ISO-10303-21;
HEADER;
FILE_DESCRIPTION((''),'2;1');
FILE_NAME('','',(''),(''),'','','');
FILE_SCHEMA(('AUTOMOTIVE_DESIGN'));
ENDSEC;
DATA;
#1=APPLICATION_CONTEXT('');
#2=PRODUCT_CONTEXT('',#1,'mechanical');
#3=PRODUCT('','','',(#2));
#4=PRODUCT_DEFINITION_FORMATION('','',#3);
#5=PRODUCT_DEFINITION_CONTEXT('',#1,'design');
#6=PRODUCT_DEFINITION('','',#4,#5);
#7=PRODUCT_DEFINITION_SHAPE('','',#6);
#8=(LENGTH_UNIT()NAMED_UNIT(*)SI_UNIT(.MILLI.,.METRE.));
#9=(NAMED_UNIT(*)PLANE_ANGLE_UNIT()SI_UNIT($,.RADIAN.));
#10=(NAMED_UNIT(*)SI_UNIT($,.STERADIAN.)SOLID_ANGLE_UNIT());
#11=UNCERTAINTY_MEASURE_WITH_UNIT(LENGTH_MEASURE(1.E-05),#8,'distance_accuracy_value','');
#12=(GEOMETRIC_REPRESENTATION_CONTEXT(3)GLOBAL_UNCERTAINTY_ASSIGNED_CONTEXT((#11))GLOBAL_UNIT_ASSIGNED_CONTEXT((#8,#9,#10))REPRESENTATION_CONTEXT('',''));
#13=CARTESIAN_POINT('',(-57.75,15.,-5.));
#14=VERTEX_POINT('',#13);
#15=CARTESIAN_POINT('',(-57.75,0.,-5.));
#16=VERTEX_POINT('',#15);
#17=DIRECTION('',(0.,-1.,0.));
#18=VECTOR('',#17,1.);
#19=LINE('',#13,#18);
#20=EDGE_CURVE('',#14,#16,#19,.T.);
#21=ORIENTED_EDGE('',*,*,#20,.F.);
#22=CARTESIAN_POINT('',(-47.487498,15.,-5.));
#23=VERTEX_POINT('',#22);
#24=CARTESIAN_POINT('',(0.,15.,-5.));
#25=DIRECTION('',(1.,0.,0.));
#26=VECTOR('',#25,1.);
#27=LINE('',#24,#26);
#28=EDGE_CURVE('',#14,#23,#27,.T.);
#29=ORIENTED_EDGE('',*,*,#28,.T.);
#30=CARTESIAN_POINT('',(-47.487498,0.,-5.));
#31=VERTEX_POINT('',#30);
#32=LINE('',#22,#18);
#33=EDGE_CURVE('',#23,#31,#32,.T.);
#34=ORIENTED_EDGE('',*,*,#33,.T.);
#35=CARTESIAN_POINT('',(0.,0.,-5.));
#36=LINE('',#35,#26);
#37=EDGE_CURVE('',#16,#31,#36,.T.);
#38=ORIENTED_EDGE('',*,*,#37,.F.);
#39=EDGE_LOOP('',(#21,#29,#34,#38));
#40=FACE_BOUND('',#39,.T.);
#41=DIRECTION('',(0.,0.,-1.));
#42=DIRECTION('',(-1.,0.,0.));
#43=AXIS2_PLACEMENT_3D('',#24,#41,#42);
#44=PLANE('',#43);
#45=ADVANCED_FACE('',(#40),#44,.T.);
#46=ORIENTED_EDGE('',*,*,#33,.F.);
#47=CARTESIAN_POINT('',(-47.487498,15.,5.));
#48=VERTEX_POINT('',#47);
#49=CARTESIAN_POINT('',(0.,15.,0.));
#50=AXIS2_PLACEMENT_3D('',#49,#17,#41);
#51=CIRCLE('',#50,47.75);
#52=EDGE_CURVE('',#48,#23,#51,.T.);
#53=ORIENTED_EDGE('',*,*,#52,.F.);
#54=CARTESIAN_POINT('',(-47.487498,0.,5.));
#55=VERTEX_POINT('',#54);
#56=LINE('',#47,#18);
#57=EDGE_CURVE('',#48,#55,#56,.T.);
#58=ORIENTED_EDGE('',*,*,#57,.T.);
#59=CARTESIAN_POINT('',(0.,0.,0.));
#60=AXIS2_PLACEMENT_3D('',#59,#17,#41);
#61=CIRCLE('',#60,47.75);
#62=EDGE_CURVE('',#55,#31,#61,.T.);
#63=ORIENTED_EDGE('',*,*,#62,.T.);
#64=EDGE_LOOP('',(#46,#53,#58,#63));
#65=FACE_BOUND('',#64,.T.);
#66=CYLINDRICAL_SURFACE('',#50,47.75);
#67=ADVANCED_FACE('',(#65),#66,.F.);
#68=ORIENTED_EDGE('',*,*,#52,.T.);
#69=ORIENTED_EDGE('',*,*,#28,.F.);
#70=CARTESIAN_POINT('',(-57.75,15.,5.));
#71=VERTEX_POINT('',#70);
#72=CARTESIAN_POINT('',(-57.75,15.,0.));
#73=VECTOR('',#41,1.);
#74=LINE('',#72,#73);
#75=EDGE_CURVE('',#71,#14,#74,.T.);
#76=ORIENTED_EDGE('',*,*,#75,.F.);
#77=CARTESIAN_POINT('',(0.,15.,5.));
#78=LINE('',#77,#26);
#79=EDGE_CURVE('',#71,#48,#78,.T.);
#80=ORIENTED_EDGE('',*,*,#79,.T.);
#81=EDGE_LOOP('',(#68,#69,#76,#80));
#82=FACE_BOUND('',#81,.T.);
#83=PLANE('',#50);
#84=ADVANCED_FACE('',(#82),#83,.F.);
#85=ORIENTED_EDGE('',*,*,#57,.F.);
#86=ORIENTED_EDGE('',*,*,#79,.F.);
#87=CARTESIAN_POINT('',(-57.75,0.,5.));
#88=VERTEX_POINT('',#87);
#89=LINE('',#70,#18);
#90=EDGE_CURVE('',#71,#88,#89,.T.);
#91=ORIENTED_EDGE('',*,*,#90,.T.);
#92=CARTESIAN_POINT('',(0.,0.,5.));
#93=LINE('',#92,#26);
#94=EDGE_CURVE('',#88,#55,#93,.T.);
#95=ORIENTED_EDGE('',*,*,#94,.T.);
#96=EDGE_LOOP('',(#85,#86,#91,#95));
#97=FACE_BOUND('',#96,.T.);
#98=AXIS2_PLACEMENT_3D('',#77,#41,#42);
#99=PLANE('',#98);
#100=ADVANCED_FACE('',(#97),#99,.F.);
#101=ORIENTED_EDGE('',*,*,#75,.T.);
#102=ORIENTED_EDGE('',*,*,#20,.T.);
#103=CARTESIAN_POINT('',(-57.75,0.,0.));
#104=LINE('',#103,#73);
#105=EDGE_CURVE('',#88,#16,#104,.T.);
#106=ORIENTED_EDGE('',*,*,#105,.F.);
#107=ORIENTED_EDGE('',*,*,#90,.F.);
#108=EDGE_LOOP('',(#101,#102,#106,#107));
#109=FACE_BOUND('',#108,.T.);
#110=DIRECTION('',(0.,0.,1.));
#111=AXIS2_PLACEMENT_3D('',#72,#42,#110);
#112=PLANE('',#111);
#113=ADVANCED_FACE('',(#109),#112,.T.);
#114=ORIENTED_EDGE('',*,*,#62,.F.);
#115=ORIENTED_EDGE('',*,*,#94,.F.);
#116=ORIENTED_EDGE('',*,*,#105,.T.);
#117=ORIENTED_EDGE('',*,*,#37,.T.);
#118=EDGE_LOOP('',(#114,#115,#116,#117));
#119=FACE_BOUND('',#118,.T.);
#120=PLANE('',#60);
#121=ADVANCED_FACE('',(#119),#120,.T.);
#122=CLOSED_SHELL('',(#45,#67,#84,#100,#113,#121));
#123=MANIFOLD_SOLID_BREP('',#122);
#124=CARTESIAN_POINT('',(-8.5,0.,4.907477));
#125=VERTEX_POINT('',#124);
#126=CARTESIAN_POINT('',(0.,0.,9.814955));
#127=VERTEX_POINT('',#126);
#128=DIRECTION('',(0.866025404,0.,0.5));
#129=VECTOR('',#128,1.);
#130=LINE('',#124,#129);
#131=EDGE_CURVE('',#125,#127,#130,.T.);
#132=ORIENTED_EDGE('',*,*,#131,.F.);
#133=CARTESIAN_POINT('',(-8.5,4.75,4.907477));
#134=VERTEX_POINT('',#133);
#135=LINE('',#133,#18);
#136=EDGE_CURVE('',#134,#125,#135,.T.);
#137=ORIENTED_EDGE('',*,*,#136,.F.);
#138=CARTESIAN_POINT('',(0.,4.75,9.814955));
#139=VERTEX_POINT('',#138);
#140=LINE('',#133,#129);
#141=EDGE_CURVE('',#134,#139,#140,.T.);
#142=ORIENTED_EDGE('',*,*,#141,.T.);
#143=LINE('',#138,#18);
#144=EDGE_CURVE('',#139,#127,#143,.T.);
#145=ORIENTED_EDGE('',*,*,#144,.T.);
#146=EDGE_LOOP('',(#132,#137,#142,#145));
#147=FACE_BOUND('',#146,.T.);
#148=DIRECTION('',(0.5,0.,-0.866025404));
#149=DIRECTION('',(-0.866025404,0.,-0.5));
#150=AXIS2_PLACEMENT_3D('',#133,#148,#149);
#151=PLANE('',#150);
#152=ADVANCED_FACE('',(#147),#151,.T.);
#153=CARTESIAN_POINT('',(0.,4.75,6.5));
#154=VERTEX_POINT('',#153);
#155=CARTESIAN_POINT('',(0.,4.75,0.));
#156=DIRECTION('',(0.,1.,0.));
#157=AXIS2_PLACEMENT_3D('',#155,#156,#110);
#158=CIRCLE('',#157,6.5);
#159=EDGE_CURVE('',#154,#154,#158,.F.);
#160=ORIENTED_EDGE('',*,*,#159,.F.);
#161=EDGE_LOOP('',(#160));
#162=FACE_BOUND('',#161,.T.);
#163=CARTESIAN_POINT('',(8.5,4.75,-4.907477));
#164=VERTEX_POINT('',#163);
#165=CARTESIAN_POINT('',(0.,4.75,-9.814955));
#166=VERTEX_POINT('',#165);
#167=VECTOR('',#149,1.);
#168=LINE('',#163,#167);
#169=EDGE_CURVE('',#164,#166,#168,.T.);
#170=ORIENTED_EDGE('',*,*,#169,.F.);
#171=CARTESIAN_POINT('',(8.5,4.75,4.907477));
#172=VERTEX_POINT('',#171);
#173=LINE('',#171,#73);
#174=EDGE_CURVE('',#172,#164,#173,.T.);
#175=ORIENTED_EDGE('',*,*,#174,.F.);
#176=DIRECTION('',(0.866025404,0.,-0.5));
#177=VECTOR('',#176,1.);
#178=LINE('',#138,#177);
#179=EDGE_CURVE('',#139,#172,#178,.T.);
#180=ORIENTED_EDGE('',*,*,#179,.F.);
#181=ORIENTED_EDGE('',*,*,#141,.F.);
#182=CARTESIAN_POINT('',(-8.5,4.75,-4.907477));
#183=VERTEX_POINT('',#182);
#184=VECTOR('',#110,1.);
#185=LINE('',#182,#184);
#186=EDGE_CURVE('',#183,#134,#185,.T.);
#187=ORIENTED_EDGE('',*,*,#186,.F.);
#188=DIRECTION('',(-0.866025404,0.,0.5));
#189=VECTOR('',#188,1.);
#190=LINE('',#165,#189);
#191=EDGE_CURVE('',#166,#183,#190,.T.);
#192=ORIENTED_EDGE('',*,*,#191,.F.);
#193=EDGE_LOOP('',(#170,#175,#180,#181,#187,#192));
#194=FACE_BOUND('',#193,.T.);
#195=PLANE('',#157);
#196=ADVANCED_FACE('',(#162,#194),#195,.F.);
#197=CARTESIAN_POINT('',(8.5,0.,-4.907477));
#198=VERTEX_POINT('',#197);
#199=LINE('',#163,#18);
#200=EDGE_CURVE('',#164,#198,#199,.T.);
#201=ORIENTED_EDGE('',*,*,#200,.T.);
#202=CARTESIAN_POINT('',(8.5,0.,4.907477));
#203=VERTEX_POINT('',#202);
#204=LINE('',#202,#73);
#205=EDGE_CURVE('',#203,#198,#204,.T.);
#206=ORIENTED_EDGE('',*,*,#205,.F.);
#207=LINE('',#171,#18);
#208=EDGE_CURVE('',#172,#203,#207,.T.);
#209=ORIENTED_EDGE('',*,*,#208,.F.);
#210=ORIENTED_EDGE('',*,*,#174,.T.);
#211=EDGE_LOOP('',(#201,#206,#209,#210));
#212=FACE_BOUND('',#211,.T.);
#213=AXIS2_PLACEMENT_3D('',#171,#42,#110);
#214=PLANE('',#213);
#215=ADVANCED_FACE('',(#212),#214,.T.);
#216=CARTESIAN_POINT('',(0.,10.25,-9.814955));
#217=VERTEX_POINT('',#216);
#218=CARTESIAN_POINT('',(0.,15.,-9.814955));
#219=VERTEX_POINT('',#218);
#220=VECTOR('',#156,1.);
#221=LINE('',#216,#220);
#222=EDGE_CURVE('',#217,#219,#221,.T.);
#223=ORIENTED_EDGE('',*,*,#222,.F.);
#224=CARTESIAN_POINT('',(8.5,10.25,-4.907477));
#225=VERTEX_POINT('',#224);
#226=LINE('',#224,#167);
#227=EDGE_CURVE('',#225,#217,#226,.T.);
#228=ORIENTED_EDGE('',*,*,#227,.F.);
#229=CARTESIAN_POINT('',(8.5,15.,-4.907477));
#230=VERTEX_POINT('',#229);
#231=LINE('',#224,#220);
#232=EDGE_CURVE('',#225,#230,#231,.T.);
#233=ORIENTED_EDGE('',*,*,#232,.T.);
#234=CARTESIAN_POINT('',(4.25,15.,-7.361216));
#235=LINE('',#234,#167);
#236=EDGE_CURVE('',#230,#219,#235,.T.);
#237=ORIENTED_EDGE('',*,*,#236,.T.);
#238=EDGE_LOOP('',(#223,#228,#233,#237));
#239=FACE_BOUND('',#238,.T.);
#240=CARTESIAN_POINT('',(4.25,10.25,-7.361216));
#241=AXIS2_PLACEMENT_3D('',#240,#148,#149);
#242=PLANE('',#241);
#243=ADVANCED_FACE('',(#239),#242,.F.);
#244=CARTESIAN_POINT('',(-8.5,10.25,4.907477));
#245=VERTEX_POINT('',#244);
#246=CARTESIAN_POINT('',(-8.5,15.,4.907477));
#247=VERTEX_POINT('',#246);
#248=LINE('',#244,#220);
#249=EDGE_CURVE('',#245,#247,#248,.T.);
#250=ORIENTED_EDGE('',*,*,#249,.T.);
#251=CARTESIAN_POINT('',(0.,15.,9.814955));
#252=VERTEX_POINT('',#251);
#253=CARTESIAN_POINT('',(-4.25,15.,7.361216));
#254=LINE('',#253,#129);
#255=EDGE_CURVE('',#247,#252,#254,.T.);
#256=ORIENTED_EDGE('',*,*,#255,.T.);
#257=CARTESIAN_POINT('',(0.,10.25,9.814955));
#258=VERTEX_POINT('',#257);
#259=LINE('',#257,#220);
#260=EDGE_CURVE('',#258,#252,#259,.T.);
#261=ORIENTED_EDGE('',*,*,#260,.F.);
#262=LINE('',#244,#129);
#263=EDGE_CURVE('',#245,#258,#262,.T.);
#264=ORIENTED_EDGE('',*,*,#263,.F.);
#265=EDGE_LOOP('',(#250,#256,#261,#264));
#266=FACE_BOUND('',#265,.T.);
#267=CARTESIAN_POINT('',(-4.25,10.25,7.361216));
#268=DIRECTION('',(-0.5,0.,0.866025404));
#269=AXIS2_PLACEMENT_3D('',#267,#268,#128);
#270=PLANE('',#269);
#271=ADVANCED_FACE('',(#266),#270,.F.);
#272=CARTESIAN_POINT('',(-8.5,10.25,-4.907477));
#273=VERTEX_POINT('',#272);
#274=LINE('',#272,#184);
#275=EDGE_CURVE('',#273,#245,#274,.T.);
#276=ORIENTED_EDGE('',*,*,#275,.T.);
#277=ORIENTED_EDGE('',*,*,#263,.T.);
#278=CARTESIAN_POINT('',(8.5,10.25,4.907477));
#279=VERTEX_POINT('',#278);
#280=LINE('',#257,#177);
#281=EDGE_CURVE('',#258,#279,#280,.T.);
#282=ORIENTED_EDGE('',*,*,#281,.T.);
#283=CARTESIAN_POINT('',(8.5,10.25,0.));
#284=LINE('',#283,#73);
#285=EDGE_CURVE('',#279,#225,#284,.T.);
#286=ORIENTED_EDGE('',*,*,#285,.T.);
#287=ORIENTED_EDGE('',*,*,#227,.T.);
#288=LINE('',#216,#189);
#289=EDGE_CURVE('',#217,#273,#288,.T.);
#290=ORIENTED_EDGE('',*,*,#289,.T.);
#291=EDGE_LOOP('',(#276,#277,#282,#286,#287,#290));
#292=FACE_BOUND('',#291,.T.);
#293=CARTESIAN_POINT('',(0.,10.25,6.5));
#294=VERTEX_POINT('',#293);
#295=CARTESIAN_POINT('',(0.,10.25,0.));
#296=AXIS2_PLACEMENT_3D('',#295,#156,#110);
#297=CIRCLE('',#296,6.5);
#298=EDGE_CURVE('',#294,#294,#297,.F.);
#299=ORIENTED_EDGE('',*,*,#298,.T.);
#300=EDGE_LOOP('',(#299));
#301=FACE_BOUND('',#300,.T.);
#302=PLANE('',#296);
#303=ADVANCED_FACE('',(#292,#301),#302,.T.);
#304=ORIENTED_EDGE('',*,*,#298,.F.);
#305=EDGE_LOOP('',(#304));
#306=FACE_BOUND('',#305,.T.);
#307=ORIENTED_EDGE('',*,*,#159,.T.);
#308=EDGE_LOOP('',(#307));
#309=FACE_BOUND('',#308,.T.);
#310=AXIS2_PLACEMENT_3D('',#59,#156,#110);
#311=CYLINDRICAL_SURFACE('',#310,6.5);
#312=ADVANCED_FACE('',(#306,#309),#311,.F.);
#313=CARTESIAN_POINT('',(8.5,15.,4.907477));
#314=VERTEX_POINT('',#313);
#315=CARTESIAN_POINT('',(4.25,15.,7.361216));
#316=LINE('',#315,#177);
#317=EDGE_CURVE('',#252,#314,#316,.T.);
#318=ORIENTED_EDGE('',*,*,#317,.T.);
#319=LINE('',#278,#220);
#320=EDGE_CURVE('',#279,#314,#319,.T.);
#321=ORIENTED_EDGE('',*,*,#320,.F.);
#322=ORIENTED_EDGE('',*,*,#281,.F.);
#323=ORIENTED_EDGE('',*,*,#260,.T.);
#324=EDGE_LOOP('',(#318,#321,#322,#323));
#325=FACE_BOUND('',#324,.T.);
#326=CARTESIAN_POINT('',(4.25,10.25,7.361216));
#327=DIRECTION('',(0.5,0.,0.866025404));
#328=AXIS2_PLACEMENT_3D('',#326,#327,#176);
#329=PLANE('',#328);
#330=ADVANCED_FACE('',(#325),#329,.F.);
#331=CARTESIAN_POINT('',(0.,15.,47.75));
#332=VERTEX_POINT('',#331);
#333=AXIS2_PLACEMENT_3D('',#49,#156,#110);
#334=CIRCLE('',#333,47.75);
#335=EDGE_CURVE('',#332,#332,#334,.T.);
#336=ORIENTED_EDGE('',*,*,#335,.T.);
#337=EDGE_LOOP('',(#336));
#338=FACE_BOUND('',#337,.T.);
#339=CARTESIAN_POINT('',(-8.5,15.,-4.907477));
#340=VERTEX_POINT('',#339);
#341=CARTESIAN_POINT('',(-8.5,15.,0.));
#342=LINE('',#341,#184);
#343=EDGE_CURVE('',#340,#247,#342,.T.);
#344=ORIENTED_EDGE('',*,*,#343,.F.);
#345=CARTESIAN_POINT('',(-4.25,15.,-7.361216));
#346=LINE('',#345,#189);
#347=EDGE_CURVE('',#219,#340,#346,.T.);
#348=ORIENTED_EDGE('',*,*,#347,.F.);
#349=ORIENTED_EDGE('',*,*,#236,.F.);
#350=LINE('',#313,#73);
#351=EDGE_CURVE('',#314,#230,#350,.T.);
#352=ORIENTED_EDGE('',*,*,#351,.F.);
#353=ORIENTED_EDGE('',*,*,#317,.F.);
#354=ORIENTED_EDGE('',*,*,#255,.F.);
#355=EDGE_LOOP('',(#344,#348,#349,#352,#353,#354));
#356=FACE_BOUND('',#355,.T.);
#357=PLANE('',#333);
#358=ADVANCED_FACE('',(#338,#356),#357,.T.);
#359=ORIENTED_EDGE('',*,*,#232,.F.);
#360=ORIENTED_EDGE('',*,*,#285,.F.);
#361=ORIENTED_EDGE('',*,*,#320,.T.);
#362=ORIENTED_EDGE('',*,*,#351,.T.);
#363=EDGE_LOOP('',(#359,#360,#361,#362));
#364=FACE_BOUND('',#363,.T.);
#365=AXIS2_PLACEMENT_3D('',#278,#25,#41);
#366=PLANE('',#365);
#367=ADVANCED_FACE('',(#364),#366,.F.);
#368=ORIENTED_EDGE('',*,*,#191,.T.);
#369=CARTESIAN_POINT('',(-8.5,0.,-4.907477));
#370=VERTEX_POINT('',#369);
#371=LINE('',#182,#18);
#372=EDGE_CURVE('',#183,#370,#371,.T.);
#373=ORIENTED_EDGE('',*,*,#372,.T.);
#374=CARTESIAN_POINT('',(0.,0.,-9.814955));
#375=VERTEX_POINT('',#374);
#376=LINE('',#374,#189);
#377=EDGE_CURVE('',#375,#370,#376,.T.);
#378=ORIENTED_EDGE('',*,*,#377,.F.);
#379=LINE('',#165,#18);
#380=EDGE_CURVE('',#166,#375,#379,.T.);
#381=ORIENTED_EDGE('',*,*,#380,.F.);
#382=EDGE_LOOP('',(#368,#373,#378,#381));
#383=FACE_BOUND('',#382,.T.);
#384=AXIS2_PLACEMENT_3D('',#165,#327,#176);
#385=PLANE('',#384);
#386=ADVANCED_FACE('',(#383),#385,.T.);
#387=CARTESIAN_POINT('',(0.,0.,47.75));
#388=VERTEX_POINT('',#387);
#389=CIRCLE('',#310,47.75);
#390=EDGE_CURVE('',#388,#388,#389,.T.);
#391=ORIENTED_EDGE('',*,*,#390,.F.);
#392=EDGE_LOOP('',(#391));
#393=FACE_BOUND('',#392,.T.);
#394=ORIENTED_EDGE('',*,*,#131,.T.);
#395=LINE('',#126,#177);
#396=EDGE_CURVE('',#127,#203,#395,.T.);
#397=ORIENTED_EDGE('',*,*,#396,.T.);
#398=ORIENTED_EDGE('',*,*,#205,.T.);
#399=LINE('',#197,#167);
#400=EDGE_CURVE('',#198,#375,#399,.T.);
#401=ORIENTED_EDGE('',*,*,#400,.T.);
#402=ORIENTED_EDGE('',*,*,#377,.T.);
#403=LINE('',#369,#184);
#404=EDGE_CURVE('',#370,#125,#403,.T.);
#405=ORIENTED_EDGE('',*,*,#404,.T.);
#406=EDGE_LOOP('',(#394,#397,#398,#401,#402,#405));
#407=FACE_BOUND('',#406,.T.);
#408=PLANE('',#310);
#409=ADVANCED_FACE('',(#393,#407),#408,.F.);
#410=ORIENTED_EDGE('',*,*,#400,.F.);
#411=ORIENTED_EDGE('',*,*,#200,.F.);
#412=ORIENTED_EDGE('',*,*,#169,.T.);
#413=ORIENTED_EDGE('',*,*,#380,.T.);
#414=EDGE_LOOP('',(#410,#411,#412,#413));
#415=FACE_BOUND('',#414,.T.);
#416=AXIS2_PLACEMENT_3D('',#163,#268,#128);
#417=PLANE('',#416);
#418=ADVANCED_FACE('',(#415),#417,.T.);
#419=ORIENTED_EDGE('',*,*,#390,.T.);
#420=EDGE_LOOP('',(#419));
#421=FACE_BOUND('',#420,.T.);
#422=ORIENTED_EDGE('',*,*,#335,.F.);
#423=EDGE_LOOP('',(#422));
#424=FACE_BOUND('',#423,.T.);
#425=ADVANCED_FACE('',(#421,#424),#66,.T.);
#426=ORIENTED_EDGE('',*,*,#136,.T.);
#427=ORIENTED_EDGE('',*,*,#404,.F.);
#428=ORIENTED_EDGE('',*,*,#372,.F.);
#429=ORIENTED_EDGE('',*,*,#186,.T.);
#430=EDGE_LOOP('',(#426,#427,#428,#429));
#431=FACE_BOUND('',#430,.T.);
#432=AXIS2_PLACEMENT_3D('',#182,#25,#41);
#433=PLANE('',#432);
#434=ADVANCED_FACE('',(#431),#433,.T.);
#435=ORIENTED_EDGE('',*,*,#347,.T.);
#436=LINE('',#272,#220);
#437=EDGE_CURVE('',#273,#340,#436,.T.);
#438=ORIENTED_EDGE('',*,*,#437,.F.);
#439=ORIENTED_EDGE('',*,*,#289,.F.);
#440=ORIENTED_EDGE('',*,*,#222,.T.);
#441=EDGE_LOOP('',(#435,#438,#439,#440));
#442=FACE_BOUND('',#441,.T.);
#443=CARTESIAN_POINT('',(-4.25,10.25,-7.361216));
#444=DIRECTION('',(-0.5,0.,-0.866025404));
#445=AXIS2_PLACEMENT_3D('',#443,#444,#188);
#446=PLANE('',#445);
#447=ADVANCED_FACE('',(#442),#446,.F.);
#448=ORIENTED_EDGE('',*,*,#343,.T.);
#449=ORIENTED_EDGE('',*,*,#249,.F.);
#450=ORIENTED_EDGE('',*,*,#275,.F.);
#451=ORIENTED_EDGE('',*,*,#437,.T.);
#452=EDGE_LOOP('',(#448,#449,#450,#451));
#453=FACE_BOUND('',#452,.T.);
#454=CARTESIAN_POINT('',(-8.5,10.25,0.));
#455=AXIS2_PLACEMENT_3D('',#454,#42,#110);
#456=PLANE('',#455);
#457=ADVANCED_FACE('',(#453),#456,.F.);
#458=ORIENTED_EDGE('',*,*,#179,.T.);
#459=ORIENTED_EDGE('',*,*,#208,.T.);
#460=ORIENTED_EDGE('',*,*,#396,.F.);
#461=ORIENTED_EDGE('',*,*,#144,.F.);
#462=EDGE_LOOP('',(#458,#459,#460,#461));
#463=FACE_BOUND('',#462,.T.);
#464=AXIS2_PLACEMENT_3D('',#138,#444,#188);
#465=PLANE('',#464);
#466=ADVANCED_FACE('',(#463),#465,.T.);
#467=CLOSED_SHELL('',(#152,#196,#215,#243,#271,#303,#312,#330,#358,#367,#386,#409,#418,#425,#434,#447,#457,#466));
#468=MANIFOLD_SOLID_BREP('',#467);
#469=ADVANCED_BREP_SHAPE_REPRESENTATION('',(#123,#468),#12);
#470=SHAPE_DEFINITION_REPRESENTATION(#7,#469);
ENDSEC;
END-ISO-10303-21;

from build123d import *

# Parameters (mm, degrees)
ESQUISSE1_R             = 47.75
BOSS_EXTRU_1_DEPTH      = 15
BOSS_EXTRU_2_DEPTH      = 15
ESQUISSE3_R             = 6.5
ENL_V_MAT_EXTRU_1_DEPTH = 77.420710544
ENL_V_MAT_EXTRU_3_DEPTH = 4.75
ENL_V_MAT_EXTRU_4_DEPTH = 4.75


with BuildPart() as part:
    # Esquisse1 → Boss.-Extru.1 (new body)
    with BuildSketch(Plane(origin=(0, 0, 0), x_dir=(1, 0, 0), z_dir=(0, 1, 0))):
        with Locations(Location((0, 0, 0), (0, 0, 270))):
            Circle(ESQUISSE1_R)
    extrude(amount=BOSS_EXTRU_1_DEPTH)

    # Esquisse3 → Enlèv. mat.-Extru.1 (cut, through all)
    with BuildSketch(Plane(origin=(0, 15, 0), x_dir=(1, 0, 0), z_dir=(0, 1, 0))):
        with Locations(Location((0, 0, 0), (0, 0, 270))):
            Circle(ESQUISSE3_R)
    extrude(amount=-ENL_V_MAT_EXTRU_1_DEPTH, mode=Mode.SUBTRACT)

    # Esquisse4 → Enlèv. mat.-Extru.3 (cut)
    with BuildSketch(Plane(origin=(0, 15, 0), x_dir=(1, 0, 0), z_dir=(0, 1, 0))):
        Polygon((4.25, 7.361215932), (0, 9.814954576), (-4.25, 7.361215932), (-8.5, 4.907477288), (-8.5, 0), (-8.5, -4.907477288), (-4.25, -7.361215932), (0, -9.814954576), (4.25, -7.361215932), (8.5, -4.907477288), (8.5, 0), (8.5, 4.907477288), align=None)
    extrude(amount=-ENL_V_MAT_EXTRU_3_DEPTH, mode=Mode.SUBTRACT)

    # Esquisse5 → Enlèv. mat.-Extru.4 (cut)
    with BuildSketch(Plane.XZ):
        Polygon((-8.5, 4.907477288), (0, 9.814954576), (8.5, 4.907477288), (8.5, -4.907477288), (0, -9.814954576), (-8.5, -4.907477288), align=None)
    extrude(amount=-ENL_V_MAT_EXTRU_4_DEPTH, mode=Mode.SUBTRACT)


with BuildPart() as body_2:
    # Esquisse2 → Boss.-Extru.2 (new body)
    with BuildSketch(Plane.XZ):
        with BuildLine():
            ThreePointArc((-47.487498355, -5), (-47.68432943, -2.503442985), (-47.75, 0))
            Line((-47.75, 0), (-57.75, 0))
            Line((-57.75, 0), (-57.75, -5))
            Line((-57.75, -5), (-47.487498355, -5))
        make_face()
        with BuildLine():
            Line((-57.75, 0), (-47.75, 0))
            ThreePointArc((-47.75, 0), (-47.68432943, 2.503442985), (-47.487498355, 5))
            Line((-47.487498355, 5), (-57.75, 5))
            Line((-57.75, 5), (-57.75, 0))
        make_face()
    extrude(amount=-BOSS_EXTRU_2_DEPTH)


solid = Compound([part.part, body_2.part])
